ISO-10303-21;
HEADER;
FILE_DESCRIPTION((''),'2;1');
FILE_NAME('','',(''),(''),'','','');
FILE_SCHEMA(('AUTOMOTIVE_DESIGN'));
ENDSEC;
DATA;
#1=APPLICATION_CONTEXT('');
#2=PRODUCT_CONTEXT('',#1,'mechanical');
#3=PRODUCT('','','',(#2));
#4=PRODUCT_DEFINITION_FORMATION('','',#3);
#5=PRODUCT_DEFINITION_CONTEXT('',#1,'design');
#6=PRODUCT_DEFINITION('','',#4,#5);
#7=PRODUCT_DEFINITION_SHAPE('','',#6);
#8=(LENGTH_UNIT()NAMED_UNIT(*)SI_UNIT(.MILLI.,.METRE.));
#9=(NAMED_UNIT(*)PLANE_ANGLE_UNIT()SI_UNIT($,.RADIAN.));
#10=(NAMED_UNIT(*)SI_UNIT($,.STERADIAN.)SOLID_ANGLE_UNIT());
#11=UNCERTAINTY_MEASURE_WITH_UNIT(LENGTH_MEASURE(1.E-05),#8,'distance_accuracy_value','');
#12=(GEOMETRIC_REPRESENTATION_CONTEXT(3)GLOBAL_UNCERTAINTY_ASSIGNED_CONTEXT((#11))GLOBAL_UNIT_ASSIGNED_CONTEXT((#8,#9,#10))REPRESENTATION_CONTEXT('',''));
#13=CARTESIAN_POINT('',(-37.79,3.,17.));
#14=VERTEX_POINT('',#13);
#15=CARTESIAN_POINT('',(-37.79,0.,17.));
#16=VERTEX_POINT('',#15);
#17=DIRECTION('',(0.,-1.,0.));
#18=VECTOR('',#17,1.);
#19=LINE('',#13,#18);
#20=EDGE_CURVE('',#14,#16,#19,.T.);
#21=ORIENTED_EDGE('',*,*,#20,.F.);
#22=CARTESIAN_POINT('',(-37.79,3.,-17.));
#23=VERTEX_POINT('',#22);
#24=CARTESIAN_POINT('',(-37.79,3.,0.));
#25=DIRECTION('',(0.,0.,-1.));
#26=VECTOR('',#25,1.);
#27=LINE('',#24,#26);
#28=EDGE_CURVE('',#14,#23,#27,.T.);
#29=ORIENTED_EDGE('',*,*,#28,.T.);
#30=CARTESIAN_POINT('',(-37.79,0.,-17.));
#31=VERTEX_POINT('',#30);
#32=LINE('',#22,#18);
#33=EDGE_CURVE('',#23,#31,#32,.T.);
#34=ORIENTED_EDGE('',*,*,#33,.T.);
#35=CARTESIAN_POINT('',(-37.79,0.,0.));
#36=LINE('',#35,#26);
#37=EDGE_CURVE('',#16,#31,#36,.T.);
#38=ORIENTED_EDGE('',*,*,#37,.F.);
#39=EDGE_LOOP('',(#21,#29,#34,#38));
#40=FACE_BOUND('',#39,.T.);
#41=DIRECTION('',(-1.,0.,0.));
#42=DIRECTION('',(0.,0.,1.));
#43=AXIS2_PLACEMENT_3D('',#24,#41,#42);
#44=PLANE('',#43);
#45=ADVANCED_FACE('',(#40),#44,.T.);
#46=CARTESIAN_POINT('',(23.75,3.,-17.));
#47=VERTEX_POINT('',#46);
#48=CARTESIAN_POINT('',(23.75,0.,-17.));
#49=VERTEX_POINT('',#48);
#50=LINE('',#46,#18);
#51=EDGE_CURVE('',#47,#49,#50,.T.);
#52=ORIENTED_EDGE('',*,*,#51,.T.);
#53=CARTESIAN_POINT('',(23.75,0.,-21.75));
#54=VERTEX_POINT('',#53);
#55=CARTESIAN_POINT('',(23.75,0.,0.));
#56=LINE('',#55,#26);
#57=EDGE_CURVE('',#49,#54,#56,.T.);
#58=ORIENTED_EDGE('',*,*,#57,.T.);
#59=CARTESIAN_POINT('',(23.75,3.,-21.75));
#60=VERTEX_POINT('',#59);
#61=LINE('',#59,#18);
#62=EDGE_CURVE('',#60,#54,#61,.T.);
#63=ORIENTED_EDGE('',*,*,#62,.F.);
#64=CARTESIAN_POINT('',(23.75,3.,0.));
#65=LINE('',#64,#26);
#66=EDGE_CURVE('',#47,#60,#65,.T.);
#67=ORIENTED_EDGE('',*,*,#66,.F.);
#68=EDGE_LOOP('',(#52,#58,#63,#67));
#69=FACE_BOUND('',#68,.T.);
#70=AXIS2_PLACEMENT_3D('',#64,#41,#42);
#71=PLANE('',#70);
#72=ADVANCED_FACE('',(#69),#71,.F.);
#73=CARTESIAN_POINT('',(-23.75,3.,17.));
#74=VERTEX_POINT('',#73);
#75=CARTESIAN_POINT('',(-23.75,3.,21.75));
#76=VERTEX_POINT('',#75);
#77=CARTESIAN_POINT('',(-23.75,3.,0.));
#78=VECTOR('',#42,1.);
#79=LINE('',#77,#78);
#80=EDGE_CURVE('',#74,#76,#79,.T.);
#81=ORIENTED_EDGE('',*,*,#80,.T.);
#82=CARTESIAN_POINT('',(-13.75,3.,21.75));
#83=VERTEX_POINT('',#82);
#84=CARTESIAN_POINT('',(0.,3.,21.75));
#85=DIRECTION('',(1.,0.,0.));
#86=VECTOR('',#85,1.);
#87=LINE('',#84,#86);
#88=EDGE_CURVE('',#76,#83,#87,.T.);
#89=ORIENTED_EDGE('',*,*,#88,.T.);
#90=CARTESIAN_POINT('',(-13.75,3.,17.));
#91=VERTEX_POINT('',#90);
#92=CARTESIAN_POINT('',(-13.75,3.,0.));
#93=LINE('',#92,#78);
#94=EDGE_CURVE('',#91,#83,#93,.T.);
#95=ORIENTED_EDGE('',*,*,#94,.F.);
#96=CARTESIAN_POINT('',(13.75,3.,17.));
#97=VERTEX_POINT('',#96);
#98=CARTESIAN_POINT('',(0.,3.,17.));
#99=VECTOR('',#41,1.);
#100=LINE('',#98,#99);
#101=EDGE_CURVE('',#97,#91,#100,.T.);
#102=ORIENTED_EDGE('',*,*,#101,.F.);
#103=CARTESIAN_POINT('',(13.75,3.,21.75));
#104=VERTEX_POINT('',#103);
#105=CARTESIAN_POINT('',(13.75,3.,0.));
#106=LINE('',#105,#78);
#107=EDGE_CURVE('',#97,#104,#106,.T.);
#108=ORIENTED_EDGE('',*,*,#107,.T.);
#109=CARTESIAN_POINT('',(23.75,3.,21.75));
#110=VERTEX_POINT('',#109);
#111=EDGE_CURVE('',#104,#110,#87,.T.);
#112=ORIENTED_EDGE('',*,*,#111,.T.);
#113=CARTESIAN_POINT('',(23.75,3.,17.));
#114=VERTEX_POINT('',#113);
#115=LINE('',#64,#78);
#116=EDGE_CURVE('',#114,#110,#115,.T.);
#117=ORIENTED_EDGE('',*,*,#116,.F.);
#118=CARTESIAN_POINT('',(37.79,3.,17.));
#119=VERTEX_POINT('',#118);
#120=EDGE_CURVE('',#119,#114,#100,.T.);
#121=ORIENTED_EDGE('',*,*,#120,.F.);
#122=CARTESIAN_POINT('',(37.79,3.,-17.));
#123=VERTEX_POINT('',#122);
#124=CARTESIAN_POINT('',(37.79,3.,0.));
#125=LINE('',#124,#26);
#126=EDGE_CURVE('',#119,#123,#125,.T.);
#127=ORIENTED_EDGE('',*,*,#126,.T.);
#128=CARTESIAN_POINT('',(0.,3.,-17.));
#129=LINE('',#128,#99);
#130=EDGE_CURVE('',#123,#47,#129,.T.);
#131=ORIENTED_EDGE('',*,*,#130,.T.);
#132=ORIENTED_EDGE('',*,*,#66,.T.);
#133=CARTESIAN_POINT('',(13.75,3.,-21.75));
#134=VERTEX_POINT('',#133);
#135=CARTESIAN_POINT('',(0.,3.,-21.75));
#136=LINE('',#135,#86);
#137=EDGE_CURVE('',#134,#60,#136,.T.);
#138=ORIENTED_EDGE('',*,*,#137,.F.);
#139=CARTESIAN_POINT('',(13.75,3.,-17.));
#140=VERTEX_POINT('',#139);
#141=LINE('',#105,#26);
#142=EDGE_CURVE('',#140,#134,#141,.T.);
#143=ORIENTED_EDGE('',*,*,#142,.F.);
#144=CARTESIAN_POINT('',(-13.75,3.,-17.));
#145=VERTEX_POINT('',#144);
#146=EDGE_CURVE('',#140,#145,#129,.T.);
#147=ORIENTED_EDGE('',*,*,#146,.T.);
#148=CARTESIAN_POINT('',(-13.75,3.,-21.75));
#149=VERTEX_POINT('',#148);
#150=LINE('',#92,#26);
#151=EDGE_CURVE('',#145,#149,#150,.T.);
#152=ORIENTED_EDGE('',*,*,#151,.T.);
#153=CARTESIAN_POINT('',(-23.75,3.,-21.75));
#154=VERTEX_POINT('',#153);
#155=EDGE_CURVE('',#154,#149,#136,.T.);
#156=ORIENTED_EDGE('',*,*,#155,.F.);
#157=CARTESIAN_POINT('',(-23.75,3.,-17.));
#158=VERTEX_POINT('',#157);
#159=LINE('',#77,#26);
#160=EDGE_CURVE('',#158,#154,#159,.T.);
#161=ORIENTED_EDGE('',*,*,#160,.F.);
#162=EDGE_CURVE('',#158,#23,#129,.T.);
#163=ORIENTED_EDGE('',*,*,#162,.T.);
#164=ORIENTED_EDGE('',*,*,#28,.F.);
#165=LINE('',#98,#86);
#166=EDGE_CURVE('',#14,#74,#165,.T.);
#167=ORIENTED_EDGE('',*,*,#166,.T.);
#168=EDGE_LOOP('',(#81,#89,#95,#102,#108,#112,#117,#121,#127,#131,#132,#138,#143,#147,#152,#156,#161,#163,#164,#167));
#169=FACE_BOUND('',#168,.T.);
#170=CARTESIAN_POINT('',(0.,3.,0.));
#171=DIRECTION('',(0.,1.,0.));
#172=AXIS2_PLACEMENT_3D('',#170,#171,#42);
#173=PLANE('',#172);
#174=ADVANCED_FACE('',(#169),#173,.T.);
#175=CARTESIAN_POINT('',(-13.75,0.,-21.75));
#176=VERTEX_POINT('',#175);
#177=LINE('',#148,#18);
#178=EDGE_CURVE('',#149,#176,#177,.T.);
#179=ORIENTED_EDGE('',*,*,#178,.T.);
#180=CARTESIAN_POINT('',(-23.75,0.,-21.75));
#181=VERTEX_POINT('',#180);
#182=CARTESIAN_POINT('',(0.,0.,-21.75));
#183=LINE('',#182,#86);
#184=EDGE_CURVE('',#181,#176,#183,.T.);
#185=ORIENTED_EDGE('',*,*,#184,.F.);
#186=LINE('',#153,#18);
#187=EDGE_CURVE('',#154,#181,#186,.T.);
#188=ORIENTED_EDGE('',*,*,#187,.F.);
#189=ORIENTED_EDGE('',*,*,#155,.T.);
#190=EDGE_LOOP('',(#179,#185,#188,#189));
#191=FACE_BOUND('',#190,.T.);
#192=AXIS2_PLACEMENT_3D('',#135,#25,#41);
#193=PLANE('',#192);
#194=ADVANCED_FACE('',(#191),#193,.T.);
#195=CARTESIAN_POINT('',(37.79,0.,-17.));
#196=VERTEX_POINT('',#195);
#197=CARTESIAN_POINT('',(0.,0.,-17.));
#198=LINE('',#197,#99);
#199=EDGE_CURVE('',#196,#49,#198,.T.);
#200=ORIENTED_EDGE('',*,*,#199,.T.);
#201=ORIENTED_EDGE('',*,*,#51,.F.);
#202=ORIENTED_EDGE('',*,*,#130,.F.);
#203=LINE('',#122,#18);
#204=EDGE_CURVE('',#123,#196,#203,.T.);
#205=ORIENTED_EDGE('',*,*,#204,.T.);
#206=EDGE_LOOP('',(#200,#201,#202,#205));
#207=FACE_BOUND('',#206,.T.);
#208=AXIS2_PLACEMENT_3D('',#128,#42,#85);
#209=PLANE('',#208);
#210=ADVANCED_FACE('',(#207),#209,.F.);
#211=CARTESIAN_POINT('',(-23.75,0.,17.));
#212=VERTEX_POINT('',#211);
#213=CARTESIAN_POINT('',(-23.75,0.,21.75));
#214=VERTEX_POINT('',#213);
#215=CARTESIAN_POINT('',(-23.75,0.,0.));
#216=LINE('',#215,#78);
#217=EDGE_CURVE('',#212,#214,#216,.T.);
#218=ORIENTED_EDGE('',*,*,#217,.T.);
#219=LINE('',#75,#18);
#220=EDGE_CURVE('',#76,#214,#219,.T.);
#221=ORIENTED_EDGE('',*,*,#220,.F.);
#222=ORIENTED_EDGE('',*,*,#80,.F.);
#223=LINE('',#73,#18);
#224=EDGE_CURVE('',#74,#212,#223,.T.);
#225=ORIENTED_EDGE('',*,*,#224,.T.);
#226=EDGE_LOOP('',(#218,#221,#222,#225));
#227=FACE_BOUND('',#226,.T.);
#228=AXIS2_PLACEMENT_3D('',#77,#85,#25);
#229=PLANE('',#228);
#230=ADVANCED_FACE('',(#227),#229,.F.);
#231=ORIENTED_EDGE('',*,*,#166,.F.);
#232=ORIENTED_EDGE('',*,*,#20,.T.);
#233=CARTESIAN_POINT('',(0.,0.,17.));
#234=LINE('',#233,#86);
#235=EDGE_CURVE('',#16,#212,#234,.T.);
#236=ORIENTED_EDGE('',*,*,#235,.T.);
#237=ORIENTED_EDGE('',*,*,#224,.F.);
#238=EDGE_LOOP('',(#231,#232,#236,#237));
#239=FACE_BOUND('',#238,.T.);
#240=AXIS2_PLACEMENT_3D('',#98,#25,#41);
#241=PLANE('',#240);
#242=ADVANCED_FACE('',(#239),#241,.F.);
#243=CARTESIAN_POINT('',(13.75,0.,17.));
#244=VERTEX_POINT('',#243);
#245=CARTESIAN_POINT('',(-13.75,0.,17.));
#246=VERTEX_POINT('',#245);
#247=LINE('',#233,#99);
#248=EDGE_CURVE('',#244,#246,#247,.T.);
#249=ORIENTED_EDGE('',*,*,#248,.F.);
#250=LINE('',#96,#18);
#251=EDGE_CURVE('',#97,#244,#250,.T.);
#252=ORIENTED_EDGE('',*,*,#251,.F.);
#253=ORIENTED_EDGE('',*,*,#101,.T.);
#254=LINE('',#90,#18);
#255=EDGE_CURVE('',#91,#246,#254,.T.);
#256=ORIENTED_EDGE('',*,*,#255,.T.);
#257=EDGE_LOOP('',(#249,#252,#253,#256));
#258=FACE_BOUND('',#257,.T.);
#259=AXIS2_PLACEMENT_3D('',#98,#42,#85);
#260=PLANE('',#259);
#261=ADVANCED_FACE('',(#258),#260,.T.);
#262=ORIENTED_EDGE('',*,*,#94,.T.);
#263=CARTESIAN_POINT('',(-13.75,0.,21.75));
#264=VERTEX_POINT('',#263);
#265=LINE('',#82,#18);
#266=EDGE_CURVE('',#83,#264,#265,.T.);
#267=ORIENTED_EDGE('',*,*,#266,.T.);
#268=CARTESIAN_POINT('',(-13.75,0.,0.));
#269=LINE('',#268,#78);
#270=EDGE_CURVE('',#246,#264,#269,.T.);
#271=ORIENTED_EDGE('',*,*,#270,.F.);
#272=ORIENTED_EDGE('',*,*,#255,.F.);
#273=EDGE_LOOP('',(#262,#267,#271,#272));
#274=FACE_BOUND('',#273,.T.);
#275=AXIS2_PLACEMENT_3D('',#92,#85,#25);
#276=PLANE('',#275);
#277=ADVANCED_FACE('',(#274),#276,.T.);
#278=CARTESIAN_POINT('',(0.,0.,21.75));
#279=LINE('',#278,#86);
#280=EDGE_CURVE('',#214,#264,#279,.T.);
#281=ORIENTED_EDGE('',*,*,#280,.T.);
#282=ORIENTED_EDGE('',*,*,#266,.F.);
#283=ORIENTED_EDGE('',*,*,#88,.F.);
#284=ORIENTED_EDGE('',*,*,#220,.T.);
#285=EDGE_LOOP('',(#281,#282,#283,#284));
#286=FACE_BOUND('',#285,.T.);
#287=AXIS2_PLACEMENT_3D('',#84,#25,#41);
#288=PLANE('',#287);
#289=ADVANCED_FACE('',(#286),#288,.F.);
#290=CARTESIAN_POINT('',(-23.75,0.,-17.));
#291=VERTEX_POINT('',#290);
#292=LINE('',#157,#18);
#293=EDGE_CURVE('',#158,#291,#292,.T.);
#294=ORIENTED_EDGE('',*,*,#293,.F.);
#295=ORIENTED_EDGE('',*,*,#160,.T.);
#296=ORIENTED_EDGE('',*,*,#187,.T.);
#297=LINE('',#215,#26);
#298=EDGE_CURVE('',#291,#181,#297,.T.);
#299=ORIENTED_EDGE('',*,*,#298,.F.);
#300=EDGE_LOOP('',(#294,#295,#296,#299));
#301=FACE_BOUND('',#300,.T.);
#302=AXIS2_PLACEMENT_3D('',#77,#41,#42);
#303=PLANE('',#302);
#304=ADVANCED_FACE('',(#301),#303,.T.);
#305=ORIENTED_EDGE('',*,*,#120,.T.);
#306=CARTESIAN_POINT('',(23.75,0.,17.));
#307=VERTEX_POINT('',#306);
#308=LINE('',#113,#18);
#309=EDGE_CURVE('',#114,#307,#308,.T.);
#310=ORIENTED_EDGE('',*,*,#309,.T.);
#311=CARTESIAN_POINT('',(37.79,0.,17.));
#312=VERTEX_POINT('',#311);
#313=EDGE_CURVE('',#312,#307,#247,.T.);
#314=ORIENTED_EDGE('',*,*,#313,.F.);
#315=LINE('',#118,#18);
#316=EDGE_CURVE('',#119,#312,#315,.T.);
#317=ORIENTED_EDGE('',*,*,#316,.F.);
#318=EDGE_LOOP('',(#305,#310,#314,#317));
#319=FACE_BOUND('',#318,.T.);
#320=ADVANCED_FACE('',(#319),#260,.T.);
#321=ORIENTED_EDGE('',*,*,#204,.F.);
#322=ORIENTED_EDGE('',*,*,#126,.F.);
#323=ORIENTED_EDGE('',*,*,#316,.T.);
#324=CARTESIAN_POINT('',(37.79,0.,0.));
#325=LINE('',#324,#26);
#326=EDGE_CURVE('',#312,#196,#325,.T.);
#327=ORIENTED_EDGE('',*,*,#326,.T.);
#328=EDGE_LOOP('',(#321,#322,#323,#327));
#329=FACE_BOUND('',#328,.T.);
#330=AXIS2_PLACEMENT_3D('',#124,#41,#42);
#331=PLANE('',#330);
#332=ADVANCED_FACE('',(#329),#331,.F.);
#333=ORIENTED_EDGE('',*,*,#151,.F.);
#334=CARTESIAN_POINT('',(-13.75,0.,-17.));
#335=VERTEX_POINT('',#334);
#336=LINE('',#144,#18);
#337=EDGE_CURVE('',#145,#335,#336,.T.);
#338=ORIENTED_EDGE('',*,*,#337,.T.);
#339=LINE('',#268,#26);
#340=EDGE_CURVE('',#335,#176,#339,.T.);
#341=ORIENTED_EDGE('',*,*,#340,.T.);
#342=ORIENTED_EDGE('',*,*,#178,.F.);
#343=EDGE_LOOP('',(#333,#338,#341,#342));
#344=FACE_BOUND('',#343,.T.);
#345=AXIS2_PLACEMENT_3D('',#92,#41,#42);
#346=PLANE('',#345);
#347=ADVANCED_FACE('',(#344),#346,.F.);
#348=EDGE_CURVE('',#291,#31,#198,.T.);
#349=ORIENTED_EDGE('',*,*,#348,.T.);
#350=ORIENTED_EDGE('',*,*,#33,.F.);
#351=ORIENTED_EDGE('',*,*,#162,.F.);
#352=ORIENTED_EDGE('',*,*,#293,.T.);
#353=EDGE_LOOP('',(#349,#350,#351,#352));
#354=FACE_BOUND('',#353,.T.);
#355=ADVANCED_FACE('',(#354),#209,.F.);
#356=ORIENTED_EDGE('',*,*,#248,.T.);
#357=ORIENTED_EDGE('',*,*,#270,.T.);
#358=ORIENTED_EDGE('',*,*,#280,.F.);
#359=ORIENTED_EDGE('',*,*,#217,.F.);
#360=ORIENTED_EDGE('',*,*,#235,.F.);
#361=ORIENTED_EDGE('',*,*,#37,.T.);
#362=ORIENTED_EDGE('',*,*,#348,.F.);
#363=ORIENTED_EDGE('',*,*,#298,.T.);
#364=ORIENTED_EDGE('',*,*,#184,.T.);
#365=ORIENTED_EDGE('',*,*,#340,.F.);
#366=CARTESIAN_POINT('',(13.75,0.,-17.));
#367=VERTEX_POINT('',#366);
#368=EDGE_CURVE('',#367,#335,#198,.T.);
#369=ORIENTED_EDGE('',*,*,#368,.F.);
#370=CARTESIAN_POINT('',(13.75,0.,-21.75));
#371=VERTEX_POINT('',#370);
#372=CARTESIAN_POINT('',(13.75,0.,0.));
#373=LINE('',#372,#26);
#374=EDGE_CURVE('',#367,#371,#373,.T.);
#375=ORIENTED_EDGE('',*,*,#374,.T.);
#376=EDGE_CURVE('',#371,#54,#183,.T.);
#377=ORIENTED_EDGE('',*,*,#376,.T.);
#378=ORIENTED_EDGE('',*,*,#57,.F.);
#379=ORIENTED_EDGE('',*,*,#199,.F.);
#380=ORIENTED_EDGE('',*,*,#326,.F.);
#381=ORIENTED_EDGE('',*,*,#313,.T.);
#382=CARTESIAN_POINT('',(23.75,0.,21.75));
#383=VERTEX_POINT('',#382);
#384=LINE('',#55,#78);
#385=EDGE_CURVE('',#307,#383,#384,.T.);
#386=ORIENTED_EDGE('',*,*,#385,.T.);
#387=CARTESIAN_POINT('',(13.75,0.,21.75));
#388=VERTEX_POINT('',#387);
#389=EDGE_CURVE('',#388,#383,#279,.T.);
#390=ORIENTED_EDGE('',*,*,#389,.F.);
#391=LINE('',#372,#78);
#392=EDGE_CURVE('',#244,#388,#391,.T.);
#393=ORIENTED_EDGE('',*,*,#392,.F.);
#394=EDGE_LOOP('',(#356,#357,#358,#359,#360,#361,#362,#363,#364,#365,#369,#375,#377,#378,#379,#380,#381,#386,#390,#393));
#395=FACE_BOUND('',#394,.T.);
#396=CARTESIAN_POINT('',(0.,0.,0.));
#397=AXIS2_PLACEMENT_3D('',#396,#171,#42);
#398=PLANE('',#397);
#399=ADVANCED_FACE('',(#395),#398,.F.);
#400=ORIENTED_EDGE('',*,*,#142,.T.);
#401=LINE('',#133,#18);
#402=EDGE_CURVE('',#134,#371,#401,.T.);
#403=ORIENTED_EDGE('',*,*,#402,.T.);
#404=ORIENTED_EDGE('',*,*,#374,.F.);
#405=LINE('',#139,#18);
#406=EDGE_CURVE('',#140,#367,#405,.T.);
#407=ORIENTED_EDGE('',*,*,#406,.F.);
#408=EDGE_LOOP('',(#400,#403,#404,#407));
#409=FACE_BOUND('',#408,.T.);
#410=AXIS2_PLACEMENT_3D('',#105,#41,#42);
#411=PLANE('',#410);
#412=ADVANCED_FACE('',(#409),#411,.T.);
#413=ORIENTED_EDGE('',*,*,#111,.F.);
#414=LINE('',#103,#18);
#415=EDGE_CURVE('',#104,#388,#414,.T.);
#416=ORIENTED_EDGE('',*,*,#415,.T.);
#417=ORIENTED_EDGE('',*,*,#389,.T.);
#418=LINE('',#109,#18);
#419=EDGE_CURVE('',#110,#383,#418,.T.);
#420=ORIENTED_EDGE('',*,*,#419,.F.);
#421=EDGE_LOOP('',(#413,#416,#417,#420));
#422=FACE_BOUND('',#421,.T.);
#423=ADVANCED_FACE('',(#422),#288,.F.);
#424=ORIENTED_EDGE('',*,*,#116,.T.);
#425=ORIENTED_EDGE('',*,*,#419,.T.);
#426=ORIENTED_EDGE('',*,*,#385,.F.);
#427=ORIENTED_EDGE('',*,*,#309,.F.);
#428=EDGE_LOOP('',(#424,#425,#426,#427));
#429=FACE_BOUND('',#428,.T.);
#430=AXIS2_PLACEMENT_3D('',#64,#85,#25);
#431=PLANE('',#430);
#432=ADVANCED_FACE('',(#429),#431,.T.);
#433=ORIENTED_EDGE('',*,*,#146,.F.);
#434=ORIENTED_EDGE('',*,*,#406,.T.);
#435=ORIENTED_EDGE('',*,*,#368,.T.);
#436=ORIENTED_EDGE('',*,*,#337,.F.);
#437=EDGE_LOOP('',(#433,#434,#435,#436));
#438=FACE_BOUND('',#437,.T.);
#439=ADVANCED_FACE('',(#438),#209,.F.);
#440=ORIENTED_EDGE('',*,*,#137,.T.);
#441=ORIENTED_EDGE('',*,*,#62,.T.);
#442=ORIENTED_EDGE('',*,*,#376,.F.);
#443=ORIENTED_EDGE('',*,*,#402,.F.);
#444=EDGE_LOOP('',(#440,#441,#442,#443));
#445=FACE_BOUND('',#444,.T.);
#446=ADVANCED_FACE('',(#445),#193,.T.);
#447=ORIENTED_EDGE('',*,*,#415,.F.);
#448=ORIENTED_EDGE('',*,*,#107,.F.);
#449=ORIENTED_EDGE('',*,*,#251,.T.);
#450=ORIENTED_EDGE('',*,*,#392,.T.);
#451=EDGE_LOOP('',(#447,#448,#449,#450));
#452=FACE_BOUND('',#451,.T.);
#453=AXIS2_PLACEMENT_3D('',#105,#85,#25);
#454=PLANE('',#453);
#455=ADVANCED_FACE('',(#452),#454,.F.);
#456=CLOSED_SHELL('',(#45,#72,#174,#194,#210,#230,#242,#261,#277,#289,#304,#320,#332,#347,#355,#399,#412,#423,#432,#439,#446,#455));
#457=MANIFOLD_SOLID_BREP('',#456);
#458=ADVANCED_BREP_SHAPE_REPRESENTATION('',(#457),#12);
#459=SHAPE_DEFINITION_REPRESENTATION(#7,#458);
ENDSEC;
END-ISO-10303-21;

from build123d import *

# Parameters (mm, degrees)
BOSS_EXTRUDE1_DEPTH = 3


with BuildPart() as part:
    # Sketch1 → Boss-Extrude1 (new body)
    with BuildSketch(Plane(origin=(0, 0, 0), x_dir=(1, 0, 0), z_dir=(0, 1, 0))):
        Polygon((37.79, -17), (23.75, -17), (23.75, -21.75), (13.75, -21.75), (13.75, -17), (-13.75, -17), (-13.75, -21.75), (-23.75, -21.75), (-23.75, -17), (-37.79, -17), (-37.79, 17), (-23.75, 17), (-23.75, 21.75), (-13.75, 21.75), (-13.75, 17), (13.75, 17), (13.75, 21.75), (23.75, 21.75), (23.75, 17), (37.79, 17), align=None)
    extrude(amount=BOSS_EXTRUDE1_DEPTH)


solid = part.part
